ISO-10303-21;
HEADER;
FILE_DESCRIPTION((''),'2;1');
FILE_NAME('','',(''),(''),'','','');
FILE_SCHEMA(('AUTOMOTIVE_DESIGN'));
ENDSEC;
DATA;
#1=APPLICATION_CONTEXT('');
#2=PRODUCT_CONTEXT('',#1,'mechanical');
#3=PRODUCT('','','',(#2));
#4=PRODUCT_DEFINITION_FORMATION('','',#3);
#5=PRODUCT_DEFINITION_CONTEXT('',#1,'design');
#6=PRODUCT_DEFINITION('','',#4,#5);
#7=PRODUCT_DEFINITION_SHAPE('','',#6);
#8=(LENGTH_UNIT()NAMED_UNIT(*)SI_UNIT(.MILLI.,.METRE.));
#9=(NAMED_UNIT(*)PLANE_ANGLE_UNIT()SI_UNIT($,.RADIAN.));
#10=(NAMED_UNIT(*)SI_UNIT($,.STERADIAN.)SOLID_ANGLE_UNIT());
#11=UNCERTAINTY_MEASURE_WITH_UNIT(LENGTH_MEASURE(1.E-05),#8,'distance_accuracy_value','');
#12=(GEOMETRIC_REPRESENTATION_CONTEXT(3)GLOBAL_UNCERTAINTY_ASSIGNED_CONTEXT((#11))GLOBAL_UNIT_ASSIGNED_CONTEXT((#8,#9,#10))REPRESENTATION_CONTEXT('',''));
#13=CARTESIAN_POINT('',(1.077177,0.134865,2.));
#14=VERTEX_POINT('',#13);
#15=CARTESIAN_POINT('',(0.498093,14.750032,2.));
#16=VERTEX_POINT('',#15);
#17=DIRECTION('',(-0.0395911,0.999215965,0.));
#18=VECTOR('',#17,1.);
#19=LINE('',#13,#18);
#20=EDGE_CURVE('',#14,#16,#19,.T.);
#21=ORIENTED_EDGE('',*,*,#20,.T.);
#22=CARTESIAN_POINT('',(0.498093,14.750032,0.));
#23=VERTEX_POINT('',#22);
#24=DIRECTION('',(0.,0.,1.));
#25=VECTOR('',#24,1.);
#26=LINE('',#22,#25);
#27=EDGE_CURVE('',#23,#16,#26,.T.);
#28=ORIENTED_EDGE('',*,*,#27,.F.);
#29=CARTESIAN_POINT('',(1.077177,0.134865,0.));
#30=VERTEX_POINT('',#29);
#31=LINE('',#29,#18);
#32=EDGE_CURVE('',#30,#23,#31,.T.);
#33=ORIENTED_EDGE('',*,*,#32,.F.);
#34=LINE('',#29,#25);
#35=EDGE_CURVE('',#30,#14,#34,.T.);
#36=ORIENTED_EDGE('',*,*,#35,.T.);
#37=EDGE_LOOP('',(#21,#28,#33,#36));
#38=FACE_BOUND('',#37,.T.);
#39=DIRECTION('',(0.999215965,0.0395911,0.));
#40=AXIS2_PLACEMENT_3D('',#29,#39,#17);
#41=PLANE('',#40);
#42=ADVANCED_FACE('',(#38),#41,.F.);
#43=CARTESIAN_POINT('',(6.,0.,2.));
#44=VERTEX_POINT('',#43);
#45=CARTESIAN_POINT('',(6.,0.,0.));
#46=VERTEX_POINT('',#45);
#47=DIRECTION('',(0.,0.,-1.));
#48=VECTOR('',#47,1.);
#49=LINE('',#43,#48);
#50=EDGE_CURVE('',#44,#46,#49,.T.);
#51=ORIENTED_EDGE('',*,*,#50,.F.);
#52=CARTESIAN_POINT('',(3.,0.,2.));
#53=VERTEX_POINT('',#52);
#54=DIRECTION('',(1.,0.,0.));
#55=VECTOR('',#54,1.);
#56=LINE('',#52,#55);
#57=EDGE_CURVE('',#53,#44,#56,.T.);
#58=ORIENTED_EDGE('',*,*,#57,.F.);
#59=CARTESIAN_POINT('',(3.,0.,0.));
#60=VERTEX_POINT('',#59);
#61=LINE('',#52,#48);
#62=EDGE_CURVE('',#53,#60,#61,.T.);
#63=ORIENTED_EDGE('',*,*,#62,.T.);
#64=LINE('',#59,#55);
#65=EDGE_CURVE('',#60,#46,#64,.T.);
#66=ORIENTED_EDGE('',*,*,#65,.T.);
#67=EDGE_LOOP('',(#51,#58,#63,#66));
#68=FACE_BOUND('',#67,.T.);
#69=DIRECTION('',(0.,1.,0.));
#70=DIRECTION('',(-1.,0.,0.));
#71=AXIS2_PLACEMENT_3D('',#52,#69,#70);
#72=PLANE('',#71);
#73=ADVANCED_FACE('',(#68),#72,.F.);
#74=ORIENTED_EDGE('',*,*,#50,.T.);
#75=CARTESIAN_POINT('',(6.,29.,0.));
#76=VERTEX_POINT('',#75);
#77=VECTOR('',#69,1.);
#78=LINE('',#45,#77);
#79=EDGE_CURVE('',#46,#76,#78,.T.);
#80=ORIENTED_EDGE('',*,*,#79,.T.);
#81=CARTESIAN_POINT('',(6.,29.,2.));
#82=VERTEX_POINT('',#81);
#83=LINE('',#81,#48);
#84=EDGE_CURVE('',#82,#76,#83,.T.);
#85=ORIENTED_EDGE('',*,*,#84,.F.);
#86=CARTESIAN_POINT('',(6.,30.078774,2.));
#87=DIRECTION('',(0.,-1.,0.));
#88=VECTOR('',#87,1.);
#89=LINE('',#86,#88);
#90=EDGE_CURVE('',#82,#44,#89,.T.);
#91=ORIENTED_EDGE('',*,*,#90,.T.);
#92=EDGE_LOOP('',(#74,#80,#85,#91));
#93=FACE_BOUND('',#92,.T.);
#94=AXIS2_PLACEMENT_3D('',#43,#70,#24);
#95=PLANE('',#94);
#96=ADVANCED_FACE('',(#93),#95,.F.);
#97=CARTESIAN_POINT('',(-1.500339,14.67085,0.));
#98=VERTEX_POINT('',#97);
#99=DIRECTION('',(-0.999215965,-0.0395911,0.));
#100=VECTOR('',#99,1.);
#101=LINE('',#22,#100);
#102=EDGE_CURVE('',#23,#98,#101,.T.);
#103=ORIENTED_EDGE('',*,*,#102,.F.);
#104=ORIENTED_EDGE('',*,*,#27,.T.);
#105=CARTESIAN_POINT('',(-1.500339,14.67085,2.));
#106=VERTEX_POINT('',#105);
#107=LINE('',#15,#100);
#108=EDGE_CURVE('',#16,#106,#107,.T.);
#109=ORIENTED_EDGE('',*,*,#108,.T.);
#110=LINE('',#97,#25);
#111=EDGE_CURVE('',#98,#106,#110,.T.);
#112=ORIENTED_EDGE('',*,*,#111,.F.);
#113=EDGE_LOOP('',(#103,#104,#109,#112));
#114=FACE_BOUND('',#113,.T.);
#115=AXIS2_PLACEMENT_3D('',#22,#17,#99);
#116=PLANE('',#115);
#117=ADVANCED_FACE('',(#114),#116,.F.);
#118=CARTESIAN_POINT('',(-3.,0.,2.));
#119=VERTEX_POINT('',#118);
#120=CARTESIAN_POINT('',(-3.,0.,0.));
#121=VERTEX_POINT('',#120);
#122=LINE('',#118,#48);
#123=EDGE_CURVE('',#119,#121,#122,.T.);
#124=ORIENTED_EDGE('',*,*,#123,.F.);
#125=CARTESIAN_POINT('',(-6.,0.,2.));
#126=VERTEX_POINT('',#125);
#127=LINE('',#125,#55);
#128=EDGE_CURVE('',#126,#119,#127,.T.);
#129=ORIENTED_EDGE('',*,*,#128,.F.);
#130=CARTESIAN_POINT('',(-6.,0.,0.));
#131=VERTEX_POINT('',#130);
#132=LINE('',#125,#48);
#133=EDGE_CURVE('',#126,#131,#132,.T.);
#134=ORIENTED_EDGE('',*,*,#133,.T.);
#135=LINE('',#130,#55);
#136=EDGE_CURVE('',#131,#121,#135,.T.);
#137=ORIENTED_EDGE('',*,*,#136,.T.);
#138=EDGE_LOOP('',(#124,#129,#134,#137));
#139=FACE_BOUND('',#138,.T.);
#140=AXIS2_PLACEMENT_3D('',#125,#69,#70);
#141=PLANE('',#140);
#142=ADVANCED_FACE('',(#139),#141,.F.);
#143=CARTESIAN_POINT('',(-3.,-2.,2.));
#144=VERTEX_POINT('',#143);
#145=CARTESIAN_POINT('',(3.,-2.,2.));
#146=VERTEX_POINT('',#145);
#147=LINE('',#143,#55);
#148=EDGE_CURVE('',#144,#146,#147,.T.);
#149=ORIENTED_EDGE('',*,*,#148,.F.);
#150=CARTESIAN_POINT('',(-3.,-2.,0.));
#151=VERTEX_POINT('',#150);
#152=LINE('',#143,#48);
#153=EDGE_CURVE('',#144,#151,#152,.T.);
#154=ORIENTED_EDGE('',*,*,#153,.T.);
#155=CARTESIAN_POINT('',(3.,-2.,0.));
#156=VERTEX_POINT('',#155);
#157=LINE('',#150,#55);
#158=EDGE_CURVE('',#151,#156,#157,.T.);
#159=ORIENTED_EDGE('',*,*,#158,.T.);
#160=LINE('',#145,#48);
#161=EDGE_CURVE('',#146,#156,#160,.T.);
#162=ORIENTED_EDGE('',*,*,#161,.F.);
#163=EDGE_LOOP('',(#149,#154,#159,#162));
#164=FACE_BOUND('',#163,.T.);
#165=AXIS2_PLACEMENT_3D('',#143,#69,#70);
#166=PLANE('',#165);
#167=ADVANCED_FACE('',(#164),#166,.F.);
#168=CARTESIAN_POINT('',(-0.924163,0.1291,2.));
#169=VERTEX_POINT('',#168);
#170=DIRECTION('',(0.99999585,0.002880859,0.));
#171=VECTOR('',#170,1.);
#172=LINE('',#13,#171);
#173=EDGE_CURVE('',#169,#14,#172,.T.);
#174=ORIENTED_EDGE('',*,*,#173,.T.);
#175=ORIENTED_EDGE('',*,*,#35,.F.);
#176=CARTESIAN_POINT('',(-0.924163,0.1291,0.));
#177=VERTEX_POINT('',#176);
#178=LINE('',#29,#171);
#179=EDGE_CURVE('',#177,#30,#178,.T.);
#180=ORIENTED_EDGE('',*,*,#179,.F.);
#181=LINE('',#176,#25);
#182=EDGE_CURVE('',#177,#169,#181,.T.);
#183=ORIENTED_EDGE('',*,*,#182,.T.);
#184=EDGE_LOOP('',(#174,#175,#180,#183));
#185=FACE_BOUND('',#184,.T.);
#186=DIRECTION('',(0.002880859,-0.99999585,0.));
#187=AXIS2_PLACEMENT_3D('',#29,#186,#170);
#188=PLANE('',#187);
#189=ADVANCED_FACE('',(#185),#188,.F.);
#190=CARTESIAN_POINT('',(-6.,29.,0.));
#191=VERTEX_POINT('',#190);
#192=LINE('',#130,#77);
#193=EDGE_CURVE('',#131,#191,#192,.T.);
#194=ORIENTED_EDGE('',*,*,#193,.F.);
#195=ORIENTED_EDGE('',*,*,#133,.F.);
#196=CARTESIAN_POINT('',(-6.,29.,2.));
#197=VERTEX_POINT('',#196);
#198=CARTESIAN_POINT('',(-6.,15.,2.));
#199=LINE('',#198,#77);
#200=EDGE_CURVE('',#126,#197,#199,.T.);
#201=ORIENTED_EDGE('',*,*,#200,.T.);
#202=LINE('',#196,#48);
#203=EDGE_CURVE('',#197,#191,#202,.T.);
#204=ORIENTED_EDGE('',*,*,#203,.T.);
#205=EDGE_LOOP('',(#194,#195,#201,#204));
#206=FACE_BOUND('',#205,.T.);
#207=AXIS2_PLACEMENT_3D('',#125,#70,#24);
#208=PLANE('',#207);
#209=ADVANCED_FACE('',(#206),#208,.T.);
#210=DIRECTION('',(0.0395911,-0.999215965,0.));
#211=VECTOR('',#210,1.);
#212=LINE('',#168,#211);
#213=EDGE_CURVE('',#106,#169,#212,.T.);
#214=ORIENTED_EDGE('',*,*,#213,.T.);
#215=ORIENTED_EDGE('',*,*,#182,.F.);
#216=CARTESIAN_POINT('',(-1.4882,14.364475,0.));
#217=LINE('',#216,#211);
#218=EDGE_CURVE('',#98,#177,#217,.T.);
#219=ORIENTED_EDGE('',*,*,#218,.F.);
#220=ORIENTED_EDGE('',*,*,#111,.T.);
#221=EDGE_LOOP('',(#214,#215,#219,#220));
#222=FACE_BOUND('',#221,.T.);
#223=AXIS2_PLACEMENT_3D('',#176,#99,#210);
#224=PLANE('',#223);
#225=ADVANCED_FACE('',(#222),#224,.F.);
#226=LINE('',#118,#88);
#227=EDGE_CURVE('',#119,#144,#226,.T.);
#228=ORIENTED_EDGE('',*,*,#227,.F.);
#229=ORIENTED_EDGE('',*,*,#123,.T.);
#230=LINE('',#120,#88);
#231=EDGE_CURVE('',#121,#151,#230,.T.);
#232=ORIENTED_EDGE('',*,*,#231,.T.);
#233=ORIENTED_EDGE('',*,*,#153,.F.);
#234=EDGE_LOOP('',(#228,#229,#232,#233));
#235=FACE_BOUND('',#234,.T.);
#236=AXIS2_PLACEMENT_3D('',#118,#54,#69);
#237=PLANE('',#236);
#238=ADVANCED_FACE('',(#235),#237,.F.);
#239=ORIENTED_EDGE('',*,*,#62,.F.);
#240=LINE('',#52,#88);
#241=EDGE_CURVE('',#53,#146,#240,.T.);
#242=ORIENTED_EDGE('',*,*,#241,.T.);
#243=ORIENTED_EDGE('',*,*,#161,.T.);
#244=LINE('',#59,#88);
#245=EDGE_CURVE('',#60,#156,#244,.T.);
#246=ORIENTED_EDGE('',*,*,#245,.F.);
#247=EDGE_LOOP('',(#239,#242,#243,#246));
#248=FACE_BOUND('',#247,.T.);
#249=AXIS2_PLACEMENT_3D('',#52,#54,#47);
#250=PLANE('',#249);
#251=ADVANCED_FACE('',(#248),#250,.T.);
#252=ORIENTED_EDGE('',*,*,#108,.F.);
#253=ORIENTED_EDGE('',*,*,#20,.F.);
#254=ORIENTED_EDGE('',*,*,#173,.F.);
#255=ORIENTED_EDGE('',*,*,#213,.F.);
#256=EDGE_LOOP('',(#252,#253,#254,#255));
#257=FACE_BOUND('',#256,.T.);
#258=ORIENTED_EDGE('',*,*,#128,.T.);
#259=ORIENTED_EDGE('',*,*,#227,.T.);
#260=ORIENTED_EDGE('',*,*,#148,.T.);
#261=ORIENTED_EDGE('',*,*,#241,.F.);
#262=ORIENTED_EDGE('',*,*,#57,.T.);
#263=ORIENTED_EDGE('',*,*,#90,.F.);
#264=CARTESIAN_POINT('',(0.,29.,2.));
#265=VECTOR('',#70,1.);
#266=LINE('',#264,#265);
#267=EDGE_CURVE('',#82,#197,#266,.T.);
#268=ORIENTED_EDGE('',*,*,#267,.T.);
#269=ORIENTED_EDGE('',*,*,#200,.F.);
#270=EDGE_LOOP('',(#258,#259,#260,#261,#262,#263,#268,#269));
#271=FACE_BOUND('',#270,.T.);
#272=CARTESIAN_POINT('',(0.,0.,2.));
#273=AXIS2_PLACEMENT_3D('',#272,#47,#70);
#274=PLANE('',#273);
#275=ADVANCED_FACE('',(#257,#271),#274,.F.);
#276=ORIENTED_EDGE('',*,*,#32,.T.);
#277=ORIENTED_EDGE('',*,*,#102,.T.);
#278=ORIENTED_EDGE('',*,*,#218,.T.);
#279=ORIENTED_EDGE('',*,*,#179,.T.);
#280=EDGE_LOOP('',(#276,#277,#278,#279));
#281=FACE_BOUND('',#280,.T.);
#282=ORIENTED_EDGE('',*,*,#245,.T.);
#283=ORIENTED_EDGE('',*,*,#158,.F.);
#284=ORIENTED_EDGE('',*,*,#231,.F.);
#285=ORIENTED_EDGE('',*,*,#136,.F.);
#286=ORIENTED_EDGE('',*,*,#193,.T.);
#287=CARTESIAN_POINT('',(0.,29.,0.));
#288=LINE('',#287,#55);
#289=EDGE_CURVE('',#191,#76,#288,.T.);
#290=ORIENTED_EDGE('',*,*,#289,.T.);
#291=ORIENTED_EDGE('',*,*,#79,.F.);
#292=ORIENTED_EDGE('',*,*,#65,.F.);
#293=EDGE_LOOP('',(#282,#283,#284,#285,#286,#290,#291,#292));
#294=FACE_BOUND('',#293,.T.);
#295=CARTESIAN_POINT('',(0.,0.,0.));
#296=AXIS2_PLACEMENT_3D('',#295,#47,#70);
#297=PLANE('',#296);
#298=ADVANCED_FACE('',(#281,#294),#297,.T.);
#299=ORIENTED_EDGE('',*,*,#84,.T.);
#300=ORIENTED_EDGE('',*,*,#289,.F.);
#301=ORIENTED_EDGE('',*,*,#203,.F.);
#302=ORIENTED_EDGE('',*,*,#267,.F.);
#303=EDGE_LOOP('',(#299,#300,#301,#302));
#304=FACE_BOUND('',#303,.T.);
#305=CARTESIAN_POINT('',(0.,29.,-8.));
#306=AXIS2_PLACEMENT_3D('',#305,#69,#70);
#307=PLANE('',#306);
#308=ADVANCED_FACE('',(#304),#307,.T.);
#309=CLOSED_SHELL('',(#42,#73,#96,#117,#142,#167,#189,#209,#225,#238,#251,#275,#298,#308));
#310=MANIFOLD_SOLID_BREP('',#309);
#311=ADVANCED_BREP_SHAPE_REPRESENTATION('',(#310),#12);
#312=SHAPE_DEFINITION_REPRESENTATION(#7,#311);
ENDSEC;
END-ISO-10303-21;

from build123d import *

# Parameters (mm, degrees)
EXTRUDE_1_DEPTH     = 2
SKETCH_3_W          = 12
SKETCH_3_H          = 1.078774048
CUT_EXTRUDE_2_DEPTH = 10
CUT_EXTRUDE_3_DEPTH = 2


with BuildPart() as part:
    # 草图1 → 凸台-拉伸1 (new body)
    with BuildSketch(Plane.XY):
        Polygon((-6, 0), (-6, 15), (-6, 30.078774409), (6, 30.078774409), (6, 15), (6, 0), (3, 0), (3, -2), (-3, -2), (-3, 0), align=None)
    extrude(amount=EXTRUDE_1_DEPTH)

    # 草图3 → 切除-拉伸2 (cut)
    with BuildSketch(Plane.XY.offset(2)):
        with Locations((0, 29.539387385)):
            Rectangle(SKETCH_3_W, SKETCH_3_H)
        Polygon((6, 29.000000361), (10.298878861, 29.000000361), (10.298878861, 34.143483695), (-9.585000786, 34.143483695), (-9.585000786, 29.000000361), (-6, 29.000000361), (-6, 30.078774409), (6, 30.078774409), align=None)
    extrude(amount=-CUT_EXTRUDE_2_DEPTH, mode=Mode.SUBTRACT)

    # 草图4 → 切除-拉伸3 (cut)
    with BuildSketch(Plane.XY.offset(2)):
        Polygon((1.077177439, 0.134865294), (-0.924163416, 0.129099689), (-1.488199796, 14.364474695), (-1.500339051, 14.670850059), (0.498092879, 14.750032259), align=None)
    extrude(amount=-CUT_EXTRUDE_3_DEPTH, mode=Mode.SUBTRACT)


solid = part.part
